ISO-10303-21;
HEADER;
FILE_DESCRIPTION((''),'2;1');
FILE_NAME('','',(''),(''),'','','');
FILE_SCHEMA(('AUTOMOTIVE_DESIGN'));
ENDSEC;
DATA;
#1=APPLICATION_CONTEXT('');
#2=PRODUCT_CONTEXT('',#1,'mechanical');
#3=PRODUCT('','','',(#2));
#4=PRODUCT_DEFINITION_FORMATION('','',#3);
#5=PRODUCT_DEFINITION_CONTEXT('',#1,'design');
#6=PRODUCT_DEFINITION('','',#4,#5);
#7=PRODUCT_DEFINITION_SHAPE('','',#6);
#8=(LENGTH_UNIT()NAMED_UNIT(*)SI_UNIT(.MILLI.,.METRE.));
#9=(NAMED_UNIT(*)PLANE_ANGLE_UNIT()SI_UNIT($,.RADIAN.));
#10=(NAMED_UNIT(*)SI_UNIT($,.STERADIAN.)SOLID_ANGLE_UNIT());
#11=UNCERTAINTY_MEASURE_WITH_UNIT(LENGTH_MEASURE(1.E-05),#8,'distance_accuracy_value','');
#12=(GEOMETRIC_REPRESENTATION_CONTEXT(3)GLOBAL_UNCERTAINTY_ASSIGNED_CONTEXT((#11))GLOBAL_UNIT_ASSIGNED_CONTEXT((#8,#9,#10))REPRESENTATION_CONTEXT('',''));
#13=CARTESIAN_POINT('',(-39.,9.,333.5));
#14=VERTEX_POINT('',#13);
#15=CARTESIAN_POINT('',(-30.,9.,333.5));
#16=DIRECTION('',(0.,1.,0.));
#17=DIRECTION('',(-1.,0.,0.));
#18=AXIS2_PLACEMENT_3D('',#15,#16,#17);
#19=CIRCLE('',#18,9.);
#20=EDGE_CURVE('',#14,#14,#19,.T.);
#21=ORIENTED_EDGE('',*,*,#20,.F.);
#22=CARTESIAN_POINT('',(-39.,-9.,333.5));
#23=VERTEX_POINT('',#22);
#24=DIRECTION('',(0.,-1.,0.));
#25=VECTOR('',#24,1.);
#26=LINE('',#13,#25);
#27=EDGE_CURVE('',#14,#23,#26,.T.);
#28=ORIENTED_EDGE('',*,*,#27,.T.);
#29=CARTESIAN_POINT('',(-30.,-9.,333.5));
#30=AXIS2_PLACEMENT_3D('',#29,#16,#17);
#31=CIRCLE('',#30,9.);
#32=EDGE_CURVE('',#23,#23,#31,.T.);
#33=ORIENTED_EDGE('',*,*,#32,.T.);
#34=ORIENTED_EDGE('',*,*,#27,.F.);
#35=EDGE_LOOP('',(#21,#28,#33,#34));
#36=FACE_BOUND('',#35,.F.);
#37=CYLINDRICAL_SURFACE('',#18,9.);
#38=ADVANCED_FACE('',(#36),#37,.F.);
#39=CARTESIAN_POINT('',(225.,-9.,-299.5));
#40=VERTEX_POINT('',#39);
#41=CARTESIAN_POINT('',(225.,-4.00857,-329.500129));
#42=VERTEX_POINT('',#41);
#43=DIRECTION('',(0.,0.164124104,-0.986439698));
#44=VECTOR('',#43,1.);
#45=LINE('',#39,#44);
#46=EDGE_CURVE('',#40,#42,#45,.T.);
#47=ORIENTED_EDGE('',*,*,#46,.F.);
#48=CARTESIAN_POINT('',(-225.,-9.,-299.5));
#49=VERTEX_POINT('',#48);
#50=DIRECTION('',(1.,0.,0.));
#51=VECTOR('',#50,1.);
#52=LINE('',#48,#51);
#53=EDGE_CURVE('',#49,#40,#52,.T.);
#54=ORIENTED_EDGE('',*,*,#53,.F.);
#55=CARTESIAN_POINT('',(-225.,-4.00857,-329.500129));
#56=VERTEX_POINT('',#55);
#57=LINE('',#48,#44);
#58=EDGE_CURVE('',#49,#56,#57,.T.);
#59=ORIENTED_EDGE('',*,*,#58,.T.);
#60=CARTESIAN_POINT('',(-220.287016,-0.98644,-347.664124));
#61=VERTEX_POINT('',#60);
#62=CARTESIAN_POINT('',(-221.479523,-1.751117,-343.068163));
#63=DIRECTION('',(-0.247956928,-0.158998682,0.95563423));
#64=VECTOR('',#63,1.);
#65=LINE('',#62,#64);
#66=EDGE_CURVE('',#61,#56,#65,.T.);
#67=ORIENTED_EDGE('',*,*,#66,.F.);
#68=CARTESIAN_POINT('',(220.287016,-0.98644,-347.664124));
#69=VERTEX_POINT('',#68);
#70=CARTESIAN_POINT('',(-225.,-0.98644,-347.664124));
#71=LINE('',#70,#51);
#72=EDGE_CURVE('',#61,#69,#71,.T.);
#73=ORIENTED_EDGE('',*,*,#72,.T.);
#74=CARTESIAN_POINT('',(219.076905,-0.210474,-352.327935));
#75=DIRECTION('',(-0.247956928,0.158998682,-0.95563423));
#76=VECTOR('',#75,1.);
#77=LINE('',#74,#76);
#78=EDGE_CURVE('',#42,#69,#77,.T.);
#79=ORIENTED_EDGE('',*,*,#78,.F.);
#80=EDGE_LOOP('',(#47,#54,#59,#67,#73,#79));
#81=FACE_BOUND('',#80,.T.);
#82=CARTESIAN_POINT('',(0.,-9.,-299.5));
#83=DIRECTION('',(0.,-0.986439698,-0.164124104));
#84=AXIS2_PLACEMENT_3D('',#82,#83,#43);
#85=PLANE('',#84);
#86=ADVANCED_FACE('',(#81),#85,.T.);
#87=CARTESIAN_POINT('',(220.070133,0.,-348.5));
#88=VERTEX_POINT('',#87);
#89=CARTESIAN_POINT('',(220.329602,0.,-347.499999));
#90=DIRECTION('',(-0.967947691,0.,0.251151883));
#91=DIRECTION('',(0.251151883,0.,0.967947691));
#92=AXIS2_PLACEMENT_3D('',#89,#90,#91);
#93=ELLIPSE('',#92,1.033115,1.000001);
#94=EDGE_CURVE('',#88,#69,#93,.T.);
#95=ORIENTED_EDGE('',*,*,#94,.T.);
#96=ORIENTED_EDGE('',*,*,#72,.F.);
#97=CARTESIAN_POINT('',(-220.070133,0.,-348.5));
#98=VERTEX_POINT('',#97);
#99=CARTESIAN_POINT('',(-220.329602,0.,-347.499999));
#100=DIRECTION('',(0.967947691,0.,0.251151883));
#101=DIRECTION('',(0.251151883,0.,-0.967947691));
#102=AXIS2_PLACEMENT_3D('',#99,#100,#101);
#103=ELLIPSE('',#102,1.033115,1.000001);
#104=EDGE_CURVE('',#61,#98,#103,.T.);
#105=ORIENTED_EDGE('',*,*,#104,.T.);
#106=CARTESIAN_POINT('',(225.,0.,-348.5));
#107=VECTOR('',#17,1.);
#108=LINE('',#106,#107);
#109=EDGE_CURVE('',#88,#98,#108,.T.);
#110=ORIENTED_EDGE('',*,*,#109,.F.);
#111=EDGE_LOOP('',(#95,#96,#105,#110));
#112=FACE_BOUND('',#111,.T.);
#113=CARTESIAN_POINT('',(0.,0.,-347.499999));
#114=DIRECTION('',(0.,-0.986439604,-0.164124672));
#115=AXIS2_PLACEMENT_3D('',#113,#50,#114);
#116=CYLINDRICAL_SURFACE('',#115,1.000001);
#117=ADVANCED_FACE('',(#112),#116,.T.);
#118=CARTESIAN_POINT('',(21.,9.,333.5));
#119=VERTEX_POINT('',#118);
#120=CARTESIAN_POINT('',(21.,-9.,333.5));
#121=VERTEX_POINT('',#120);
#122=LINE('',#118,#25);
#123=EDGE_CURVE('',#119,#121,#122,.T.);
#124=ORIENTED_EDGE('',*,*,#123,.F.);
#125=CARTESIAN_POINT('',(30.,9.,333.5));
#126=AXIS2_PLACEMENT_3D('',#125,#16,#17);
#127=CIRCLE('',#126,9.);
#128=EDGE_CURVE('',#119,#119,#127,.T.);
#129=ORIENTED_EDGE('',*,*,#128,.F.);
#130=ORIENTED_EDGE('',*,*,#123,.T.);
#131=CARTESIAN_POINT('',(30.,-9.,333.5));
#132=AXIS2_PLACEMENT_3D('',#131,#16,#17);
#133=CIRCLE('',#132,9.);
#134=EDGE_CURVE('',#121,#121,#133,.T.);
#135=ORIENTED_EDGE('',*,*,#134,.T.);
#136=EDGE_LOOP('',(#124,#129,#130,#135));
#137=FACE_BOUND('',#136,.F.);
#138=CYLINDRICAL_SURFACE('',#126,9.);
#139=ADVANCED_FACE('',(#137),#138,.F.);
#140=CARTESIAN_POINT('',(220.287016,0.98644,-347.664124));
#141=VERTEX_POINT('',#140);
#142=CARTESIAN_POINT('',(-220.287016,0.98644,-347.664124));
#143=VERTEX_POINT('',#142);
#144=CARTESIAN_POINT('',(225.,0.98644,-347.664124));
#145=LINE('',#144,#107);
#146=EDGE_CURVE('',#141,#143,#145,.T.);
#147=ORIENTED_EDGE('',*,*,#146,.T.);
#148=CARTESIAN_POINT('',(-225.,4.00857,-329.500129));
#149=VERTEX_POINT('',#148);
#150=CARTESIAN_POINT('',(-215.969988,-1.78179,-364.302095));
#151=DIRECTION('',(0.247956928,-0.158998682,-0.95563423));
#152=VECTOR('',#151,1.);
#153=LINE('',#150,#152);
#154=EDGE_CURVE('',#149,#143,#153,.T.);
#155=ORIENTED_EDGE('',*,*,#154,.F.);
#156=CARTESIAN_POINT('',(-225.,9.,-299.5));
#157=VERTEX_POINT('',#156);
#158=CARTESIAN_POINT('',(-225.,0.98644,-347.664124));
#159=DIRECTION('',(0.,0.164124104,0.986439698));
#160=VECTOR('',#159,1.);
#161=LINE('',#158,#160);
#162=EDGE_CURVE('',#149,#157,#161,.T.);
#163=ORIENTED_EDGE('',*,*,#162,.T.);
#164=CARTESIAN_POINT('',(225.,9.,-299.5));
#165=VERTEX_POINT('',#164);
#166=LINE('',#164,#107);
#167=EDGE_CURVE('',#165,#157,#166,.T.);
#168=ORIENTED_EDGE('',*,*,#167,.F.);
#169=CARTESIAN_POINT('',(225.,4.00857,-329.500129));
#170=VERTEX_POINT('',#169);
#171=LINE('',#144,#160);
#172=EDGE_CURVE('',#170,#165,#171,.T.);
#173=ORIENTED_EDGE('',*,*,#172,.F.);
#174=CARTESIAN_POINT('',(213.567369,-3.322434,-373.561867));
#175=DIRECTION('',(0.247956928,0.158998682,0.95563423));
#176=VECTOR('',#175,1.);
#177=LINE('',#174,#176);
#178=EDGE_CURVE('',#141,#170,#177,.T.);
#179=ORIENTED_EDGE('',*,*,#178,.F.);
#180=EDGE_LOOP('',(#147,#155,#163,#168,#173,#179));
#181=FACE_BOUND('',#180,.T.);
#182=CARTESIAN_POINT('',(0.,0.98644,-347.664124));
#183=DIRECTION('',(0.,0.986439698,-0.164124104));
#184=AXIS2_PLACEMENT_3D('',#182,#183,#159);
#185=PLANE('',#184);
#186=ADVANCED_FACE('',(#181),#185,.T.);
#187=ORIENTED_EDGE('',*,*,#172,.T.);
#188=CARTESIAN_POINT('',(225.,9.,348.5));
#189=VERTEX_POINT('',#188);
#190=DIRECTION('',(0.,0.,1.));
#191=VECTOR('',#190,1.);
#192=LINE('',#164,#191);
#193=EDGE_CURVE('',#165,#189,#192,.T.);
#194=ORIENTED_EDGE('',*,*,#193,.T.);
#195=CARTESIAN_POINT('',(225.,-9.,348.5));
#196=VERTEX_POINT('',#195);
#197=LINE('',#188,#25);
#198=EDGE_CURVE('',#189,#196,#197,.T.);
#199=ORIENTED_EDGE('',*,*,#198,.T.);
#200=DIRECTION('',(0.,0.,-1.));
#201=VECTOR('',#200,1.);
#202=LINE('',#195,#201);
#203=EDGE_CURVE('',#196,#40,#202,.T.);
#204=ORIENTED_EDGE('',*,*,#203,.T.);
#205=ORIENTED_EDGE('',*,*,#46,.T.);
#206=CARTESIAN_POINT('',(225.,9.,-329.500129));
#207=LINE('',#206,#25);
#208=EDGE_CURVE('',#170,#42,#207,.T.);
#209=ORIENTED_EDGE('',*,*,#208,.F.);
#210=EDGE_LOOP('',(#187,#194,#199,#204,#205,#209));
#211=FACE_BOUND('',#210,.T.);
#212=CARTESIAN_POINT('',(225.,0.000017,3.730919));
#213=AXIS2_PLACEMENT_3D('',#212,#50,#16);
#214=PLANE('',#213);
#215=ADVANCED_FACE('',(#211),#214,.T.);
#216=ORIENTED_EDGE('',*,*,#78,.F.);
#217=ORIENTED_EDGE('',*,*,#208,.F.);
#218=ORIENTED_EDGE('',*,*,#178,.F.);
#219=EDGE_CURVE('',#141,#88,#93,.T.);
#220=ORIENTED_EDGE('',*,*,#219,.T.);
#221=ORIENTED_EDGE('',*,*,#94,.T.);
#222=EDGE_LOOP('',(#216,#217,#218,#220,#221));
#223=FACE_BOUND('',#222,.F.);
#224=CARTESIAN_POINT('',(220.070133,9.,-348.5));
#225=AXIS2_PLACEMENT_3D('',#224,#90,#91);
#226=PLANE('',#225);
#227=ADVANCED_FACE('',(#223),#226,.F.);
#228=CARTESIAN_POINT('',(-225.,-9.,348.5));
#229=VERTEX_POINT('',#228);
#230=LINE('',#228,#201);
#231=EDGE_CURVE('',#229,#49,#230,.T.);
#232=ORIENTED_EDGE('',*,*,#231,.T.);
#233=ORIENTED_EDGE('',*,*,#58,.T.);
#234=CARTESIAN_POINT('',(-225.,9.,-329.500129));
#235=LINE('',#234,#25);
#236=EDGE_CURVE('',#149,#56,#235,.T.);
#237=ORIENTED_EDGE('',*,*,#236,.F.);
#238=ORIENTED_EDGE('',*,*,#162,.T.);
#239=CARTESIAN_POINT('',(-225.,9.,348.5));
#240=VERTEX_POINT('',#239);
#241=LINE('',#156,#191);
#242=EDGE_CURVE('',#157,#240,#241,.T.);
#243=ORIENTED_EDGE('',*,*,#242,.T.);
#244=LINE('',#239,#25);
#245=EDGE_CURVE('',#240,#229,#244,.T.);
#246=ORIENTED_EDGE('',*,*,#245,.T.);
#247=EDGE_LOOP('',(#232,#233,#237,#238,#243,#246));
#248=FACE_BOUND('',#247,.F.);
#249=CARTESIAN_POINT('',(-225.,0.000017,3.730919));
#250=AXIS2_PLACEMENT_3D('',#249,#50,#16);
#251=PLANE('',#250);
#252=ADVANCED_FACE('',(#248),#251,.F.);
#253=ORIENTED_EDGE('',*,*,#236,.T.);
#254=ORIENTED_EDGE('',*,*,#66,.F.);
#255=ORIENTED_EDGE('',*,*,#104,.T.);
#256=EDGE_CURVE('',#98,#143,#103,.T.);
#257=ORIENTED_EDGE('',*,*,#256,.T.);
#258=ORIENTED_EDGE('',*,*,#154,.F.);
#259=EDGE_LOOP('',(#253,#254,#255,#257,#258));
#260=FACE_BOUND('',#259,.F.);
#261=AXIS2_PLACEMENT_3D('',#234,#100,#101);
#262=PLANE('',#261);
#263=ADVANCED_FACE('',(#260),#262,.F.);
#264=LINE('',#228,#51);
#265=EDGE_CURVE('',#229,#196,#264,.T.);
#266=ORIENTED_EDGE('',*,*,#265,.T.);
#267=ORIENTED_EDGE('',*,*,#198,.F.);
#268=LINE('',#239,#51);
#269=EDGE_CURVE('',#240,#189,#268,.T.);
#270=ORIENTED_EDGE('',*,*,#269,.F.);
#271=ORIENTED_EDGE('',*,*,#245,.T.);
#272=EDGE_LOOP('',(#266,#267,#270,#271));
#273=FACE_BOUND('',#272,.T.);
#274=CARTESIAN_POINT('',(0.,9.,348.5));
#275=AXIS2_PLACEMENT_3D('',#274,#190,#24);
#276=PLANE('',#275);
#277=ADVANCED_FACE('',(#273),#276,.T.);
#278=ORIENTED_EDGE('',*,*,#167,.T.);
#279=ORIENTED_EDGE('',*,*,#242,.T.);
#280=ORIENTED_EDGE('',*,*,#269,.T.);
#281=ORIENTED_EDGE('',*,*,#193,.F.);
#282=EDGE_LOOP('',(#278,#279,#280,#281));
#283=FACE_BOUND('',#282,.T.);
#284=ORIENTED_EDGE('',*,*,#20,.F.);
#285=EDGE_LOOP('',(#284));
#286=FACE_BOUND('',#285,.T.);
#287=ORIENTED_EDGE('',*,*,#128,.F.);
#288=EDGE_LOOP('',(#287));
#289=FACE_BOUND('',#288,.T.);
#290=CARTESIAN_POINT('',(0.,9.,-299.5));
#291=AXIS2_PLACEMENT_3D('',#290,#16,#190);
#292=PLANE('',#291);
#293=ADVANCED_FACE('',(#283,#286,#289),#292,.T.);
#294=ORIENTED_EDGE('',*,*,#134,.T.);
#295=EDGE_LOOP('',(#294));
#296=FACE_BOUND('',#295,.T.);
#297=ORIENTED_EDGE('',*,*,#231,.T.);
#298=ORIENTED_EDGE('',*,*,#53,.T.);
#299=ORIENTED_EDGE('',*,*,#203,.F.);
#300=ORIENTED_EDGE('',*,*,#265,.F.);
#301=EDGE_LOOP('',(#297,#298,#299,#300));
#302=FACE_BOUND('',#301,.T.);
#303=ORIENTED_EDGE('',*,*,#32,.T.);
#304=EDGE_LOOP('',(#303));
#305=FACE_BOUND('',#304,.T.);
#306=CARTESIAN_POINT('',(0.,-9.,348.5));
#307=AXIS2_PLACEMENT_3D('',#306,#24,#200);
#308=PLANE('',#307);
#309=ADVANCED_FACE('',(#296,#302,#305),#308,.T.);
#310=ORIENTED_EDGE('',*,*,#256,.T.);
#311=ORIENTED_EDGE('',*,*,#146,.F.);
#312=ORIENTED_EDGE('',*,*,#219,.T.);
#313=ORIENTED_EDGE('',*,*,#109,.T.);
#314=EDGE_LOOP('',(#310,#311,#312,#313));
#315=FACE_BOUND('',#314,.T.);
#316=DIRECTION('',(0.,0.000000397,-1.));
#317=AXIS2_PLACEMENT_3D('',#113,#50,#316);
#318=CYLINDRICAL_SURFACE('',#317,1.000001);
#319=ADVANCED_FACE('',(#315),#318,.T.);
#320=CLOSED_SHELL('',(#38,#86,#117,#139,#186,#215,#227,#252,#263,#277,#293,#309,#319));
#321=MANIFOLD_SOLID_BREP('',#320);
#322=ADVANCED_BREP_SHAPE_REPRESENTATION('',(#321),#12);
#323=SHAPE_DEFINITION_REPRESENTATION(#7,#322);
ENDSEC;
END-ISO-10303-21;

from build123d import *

# Parameters (mm, degrees)
F1_DEPTH = 225
F2_R     = 9
F3_DEPTH = 25


with BuildPart() as f1:
    # F0 (on Right) → F1 (new body, symmetric)
    with BuildSketch(Plane.YZ):
        with BuildLine():
            Line((9, -299.5), (9, 348.5))
            Line((9, 348.5), (-9, 348.5))
            Line((-9, 348.5), (-9, -299.5))
            Line((-9, -299.5), (-0.98644, -347.664124))
            ThreePointArc((-0.98644, -347.664124), (-0.082342, -346.503396), (1, -347.5))
            ThreePointArc((1, -347.5), (0.996604, -347.582342), (0.98644, -347.664124))
            Line((0.98644, -347.664124), (9, -299.5))
        make_face()
        with BuildLine():
            ThreePointArc((0, -348.5), (0.646481, -348.26293), (0.98644, -347.664124))
            ThreePointArc((0.98644, -347.664124), (0.996604, -347.582342), (1, -347.5))
            ThreePointArc((1, -347.5), (-0.082342, -346.503396), (-0.98644, -347.664124))
            ThreePointArc((-0.98644, -347.664124), (-0.646481, -348.26293), (0, -348.5))
        make_face()
    extrude(amount=F1_DEPTH, both=True)

    # F2 (on face) → F3 (cut)
    with BuildSketch(Plane(origin=(0, 9, 0), x_dir=(-1, 0, 0), z_dir=(0, 1, 0))):
        with Locations((30, 333.5)):
            Circle(F2_R)
        with BuildLine():
            ThreePointArc((-39, 333.5), (-30, 324.5), (-21, 333.5))
            ThreePointArc((-21, 333.5), (-30, 342.5), (-39, 333.5))
        make_face()
        Polygon((-220.070133, -348.5), (-225, -329.500129), (-225.070133, -348.5), align=None)
        Polygon((225.070133, -348.5), (225, -329.500129), (220.070133, -348.5), align=None)
    extrude(amount=-F3_DEPTH, mode=Mode.SUBTRACT)


solid = f1.part
